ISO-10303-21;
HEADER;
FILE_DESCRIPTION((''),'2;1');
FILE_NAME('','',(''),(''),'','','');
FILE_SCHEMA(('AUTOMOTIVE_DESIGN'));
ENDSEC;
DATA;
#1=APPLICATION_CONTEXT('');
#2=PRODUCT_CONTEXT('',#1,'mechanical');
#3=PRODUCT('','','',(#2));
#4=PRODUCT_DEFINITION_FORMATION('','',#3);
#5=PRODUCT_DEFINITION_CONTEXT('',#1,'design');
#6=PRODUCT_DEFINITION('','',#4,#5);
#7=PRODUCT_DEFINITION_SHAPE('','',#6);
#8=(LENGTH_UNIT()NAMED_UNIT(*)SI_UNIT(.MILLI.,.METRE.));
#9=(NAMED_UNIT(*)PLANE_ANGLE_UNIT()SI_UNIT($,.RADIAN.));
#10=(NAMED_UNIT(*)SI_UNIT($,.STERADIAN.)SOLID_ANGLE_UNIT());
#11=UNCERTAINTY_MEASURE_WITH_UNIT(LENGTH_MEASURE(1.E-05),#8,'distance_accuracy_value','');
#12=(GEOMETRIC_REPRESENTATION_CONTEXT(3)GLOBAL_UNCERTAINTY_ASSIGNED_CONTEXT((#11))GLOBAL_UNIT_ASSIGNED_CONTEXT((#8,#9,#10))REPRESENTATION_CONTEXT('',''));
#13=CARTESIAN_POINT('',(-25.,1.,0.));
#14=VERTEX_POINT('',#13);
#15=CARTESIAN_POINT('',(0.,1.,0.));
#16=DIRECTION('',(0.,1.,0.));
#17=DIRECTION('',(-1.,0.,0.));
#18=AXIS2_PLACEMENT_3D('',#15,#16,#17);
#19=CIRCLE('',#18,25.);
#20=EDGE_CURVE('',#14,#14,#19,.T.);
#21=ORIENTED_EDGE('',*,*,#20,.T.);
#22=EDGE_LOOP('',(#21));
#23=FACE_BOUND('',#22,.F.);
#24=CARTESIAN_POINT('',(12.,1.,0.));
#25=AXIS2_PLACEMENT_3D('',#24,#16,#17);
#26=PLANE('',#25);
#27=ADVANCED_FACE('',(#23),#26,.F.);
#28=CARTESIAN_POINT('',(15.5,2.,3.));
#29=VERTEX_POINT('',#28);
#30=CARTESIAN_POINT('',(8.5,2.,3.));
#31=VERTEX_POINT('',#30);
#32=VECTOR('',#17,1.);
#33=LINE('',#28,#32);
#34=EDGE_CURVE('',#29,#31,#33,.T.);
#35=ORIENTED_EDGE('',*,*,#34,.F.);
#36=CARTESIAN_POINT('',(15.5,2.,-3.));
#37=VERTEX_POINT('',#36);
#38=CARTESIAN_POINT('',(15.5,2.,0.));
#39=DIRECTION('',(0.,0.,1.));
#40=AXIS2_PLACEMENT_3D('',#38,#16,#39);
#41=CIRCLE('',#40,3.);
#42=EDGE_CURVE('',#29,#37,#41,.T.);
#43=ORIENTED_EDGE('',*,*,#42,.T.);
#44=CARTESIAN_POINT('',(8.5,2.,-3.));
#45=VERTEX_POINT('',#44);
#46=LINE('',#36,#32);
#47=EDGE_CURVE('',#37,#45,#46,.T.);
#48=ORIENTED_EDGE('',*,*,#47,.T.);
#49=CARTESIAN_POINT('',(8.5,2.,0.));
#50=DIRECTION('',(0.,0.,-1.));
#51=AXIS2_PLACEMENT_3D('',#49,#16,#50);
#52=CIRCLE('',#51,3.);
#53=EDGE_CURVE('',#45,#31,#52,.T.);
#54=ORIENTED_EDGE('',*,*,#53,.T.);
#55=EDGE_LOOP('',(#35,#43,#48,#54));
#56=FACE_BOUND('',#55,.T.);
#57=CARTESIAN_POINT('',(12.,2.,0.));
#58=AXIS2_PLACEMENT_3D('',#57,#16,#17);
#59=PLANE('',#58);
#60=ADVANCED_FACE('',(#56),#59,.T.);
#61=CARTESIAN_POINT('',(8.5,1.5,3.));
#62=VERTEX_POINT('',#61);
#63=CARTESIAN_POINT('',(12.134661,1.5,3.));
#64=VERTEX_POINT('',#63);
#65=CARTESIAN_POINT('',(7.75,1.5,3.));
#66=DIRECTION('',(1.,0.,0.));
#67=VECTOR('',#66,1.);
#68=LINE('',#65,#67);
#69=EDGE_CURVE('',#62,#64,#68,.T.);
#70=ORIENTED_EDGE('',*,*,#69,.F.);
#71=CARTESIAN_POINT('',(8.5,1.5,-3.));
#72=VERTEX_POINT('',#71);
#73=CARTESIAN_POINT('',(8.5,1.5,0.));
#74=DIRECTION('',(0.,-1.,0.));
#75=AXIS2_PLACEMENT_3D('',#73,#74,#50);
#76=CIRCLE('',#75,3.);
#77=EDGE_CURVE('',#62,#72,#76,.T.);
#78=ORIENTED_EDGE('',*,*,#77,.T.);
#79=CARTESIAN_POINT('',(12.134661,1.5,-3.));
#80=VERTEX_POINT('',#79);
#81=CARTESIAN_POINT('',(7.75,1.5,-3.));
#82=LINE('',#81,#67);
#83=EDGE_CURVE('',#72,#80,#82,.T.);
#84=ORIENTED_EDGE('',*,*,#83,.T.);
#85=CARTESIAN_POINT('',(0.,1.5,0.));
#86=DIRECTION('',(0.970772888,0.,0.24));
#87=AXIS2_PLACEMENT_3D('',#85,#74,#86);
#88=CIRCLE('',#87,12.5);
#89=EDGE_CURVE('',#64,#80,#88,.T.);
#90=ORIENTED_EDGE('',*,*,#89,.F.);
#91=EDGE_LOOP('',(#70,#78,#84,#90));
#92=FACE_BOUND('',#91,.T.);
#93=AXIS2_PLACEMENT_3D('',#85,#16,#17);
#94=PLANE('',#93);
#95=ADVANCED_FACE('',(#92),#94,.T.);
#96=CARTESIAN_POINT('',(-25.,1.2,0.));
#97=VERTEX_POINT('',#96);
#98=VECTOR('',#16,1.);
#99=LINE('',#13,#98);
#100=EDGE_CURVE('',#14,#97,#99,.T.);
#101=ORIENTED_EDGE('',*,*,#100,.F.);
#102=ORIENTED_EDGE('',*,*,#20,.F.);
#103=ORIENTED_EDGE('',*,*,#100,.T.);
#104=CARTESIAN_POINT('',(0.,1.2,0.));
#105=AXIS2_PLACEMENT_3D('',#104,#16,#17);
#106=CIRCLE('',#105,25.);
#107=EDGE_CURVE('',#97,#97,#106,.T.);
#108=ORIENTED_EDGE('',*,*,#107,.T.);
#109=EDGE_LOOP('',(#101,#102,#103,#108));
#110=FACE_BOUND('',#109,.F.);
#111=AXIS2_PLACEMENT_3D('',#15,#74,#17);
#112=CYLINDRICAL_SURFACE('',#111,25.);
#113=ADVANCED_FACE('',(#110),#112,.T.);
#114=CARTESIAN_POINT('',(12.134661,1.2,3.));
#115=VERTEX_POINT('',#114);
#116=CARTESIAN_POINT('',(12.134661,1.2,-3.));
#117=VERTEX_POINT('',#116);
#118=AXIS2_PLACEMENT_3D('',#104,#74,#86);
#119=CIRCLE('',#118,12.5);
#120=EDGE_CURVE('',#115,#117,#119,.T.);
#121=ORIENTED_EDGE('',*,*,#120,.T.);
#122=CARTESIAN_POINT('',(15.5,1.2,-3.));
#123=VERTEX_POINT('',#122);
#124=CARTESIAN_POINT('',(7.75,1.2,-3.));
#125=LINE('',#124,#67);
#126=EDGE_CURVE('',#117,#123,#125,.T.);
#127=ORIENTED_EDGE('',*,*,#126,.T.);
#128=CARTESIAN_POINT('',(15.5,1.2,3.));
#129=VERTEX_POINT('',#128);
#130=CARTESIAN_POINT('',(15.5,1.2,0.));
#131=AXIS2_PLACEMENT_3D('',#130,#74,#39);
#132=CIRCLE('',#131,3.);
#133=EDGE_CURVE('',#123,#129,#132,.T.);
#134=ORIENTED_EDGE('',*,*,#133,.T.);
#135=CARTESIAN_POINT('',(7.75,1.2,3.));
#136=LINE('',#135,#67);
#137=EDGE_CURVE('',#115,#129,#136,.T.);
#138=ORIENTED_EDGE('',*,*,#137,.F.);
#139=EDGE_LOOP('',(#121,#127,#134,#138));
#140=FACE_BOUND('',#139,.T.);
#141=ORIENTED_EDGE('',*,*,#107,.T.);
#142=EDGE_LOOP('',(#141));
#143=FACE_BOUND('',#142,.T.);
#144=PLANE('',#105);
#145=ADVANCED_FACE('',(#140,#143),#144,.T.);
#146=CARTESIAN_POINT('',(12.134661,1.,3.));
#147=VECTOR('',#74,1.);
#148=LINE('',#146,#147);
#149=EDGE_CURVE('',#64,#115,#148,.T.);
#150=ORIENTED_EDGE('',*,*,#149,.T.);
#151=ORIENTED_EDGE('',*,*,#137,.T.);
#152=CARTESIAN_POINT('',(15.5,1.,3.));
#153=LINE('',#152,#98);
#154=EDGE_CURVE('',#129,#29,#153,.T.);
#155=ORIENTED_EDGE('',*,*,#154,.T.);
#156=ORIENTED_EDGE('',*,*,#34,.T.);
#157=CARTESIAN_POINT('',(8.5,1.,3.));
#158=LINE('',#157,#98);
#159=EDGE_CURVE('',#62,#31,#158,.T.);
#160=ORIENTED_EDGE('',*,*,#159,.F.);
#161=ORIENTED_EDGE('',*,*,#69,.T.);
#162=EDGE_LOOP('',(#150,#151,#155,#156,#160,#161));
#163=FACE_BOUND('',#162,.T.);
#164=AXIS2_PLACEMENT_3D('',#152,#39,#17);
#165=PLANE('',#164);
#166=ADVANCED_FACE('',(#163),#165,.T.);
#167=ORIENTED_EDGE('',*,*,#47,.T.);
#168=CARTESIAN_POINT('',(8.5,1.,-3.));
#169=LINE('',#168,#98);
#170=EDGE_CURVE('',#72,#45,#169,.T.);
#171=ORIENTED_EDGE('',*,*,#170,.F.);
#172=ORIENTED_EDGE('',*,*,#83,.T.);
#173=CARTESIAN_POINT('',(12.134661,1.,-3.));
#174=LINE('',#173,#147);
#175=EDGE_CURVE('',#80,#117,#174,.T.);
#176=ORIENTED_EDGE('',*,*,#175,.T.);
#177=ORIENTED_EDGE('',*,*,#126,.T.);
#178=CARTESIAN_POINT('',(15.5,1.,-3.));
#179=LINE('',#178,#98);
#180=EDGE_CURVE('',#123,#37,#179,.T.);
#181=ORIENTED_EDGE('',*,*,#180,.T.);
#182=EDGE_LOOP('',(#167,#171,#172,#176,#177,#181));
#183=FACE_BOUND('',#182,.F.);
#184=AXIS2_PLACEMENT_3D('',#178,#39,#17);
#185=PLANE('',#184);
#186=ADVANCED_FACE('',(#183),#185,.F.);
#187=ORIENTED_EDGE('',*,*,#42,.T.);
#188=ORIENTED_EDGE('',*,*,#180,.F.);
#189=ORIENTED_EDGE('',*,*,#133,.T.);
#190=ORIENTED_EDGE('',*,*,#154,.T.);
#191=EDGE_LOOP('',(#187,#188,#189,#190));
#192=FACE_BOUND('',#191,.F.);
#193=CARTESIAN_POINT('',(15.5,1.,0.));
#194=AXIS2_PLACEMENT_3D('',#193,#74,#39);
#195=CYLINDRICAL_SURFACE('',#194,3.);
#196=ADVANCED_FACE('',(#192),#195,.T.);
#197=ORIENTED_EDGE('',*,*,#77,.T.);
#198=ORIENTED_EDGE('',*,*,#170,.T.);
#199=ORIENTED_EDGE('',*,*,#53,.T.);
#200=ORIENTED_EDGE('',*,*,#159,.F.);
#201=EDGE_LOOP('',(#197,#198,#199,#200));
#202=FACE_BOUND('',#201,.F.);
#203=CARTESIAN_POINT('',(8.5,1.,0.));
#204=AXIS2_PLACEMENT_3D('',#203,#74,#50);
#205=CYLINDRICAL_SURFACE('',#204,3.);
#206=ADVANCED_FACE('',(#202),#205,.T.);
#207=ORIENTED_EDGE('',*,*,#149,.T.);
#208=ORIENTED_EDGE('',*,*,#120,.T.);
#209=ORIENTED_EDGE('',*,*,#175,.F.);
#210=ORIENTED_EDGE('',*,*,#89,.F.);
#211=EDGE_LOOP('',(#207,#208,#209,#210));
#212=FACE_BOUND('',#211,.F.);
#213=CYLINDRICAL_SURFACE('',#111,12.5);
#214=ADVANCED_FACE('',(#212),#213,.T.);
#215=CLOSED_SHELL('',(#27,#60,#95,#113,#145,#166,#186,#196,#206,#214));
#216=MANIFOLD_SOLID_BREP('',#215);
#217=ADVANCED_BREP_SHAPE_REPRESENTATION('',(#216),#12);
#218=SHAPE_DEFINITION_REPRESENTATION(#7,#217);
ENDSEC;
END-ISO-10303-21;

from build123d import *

# Parameters (mm, degrees)
SKETCH_R             = 25
PAD_DEPTH            = 0.2
SKETCH001_R          = 12.5
PAD001_DEPTH         = 0.5
PAD002_DEPTH         = 1
BODY_PLACEMENT_ANGLE = 180


with BuildPart() as part:
    # Sketch → Pad (new body)
    with BuildSketch(Plane.XZ):
        Circle(SKETCH_R)
    extrude(amount=PAD_DEPTH)

    # Sketch001 → Pad001 (join)
    with BuildSketch(Plane.XZ):
        Circle(SKETCH001_R)
    extrude(amount=PAD001_DEPTH)

    # Sketch002 → Pad002 (join)
    with BuildSketch(Plane.XZ):
        with BuildLine():
            ThreePointArc((-15.5, 3), (-18.5, 0), (-15.5, -3))
            Line((-15.5, -3), (-8.5, -3))
            ThreePointArc((-8.5, -3), (-5.5, 0), (-8.5, 3))
            Line((-15.5, 3), (-8.5, 3))
        make_face()
    extrude(amount=PAD002_DEPTH)


with BuildPart() as part_1:
    # Body placement: moved
    add(part.part.moved(Location((0, 1, 0))).rotate(Axis((0, 1, 0), (0, 0, 1)), BODY_PLACEMENT_ANGLE))


solid = part_1.part
